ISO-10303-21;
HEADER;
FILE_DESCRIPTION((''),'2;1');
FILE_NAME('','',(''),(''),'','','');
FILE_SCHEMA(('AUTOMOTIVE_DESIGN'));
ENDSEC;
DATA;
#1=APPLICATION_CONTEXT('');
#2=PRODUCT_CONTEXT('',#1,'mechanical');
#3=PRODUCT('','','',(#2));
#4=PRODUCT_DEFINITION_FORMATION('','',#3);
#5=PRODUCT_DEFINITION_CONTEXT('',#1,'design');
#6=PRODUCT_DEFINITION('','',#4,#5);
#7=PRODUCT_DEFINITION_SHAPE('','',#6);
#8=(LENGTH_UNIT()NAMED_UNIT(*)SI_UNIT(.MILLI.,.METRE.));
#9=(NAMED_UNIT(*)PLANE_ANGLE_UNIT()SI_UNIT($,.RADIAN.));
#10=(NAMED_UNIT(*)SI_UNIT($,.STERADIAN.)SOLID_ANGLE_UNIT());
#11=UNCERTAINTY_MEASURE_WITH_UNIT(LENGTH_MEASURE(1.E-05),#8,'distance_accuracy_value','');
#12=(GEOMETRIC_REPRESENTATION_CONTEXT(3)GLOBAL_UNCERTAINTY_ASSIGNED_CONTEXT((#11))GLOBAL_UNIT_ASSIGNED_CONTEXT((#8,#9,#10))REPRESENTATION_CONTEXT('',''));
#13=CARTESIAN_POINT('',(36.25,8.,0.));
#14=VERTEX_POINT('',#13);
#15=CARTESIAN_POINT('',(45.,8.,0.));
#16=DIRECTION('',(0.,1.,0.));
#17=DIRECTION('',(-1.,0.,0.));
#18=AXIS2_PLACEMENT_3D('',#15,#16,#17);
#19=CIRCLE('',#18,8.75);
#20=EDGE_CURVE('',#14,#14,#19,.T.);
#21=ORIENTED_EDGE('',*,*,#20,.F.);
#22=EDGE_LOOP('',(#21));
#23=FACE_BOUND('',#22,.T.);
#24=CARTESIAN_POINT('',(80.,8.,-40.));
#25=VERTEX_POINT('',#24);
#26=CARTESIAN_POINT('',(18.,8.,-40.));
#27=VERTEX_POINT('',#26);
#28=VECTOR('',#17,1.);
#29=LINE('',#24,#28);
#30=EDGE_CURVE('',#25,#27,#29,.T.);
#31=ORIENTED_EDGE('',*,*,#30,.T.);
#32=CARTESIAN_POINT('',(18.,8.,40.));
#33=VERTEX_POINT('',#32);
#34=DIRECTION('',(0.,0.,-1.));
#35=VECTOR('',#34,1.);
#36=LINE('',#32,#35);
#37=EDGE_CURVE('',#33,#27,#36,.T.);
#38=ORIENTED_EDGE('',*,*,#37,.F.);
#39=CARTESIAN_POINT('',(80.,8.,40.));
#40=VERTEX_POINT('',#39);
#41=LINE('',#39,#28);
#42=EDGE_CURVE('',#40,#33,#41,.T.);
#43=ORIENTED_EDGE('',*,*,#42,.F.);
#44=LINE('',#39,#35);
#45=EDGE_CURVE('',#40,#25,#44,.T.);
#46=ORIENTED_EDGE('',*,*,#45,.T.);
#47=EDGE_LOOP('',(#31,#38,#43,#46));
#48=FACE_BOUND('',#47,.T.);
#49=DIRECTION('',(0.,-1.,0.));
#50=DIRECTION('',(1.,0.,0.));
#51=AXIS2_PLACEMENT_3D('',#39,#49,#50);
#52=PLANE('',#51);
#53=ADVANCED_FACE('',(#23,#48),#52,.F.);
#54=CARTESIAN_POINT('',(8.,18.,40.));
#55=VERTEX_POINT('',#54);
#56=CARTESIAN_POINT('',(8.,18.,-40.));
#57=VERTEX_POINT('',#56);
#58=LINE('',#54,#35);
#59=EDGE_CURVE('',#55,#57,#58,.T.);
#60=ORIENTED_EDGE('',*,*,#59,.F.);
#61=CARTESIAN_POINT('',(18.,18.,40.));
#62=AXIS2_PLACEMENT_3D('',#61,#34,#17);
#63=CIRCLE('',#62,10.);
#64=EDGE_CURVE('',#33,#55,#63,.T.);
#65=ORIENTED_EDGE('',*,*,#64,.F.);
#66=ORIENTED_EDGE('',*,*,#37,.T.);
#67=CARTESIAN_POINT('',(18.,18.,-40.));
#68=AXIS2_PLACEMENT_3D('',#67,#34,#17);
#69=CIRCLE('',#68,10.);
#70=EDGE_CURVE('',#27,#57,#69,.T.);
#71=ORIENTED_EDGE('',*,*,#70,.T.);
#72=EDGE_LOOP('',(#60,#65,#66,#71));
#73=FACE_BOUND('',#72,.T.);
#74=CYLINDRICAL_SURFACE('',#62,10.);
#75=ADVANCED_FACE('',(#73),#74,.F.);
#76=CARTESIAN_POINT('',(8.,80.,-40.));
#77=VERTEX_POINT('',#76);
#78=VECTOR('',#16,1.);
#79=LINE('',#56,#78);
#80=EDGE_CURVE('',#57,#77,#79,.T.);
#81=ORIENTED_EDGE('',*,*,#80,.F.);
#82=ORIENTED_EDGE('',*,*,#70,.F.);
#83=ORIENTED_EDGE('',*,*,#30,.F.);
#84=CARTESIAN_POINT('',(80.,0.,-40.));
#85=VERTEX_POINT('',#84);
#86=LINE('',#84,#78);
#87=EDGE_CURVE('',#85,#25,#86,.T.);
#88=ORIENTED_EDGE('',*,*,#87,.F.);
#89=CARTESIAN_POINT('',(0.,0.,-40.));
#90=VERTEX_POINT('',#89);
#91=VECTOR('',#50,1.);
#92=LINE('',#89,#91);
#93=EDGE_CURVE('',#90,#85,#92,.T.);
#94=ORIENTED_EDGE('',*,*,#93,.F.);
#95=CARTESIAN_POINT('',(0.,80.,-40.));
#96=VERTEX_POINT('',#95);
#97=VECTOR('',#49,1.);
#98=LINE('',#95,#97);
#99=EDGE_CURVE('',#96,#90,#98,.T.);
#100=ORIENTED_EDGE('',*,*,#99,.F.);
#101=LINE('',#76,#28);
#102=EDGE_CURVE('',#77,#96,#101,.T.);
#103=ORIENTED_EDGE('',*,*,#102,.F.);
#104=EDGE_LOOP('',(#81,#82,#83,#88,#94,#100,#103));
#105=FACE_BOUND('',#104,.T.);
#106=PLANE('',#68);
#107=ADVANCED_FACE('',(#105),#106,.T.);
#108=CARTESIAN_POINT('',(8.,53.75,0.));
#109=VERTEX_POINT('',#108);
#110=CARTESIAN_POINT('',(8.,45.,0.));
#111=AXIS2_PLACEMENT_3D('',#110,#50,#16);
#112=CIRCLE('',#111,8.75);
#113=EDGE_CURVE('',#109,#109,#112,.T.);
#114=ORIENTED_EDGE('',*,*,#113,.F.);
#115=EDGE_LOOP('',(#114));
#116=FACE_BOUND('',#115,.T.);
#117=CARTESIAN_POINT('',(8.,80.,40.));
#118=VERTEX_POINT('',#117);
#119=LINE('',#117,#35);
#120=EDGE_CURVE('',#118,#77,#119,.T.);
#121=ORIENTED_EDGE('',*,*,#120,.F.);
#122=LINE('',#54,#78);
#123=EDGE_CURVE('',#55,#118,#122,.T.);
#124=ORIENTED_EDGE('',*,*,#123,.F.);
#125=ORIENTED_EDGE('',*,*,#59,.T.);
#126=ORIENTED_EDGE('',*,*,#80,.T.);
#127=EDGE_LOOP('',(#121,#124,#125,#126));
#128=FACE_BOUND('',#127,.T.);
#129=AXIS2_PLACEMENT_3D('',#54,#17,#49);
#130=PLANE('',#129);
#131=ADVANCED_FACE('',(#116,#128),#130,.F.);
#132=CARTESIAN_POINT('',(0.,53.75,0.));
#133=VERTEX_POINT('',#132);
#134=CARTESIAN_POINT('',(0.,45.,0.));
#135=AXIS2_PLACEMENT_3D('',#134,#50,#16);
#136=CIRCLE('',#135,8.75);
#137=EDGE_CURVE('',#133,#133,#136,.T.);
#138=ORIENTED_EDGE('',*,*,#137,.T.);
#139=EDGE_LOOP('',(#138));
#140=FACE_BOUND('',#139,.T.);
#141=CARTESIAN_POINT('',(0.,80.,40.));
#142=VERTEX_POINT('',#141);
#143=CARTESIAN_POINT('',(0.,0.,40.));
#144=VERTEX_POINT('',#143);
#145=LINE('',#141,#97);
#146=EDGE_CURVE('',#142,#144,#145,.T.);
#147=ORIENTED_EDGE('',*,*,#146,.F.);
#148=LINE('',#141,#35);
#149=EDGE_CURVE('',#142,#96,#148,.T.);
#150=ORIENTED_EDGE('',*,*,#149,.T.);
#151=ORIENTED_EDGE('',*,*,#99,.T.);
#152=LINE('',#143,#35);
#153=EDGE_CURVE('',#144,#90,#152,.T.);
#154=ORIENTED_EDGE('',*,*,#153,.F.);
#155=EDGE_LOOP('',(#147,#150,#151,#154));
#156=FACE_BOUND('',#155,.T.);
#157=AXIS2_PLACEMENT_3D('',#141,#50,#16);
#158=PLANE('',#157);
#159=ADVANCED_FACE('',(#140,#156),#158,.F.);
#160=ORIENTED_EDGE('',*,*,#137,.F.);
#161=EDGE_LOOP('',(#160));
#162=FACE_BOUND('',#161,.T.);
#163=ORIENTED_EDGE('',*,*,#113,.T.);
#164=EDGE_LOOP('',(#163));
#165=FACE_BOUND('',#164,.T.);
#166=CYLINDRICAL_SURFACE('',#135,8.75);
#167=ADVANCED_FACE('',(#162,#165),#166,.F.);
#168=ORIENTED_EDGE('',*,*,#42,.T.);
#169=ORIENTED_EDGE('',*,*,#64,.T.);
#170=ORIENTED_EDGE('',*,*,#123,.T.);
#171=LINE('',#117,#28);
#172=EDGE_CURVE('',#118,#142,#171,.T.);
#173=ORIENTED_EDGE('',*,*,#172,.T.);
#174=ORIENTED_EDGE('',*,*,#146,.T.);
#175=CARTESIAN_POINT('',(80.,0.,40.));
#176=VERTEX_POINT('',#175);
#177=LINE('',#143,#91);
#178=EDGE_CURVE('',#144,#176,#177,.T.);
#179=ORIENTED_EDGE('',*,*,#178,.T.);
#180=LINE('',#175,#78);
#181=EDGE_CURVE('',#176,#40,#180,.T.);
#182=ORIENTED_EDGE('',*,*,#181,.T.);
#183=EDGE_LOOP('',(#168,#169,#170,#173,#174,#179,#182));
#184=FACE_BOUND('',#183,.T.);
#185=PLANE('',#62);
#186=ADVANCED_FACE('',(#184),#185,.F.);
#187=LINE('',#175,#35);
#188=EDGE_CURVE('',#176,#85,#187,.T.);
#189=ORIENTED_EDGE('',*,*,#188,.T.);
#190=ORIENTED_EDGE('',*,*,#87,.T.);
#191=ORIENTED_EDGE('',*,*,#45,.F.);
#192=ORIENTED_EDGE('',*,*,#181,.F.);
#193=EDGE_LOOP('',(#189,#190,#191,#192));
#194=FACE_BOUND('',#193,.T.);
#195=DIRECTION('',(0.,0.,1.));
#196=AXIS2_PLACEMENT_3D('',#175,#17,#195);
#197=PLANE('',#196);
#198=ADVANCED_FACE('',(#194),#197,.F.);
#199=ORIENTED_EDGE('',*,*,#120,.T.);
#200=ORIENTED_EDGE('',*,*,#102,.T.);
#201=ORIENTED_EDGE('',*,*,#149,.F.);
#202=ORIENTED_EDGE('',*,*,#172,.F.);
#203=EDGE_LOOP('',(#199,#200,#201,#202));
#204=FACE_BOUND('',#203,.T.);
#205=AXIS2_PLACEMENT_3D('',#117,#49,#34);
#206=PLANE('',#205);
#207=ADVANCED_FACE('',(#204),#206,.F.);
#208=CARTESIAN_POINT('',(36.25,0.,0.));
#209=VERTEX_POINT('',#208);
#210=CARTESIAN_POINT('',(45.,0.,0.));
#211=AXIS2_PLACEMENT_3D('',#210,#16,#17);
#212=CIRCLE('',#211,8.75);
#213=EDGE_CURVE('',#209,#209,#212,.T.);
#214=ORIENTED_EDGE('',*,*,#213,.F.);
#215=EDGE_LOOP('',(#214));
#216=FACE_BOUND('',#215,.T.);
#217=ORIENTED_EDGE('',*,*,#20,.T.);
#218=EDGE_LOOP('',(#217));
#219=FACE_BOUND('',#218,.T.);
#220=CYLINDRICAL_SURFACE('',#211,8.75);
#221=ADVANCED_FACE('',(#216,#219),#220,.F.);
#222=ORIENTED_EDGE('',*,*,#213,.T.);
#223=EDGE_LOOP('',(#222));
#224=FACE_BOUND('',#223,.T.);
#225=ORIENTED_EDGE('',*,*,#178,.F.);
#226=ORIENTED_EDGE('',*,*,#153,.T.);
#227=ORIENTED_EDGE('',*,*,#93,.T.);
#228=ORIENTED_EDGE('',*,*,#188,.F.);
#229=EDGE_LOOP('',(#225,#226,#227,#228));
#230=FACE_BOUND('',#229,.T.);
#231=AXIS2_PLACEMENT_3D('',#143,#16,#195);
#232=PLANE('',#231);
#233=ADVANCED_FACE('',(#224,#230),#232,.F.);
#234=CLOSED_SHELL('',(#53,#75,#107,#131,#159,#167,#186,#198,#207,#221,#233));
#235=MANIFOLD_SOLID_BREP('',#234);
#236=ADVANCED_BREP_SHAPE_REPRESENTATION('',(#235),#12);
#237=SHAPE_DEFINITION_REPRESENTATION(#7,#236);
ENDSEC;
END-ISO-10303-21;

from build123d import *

# Parameters (mm, degrees)
AUFSATZ_AUFTRAGEN_MAIN_BODY_DEPTH = 40
SKIZZE3_R                         = 8.75
BOHRUNG_HORIZONTAL_DEPTH          = 115.821600755
SKIZZE4_R                         = 8.75
BOHRUNG_VERTIKAL_DEPTH            = 115.821600755


with BuildPart() as part:
    # Skizze1 → Aufsatz Auftragen Main Body (new, symmetric)
    with BuildSketch(Plane.XY):
        with BuildLine():
            Line((0, 0), (80, 0))
            Line((80, 0), (80, 8))
            Line((80, 8), (18, 8))
            ThreePointArc((18, 8), (10.928932188, 10.928932188), (8, 18))
            Line((8, 18), (8, 80))
            Line((8, 80), (0, 80))
            Line((0, 80), (0, 0))
        make_face()
    extrude(amount=AUFSATZ_AUFTRAGEN_MAIN_BODY_DEPTH, both=True)

    # Skizze3 → Bohrung Horizontal (cut, through all)
    with BuildSketch(Plane(origin=(0, 8, 0), x_dir=(1, 0, 0), z_dir=(0, 1, 0))):
        with Locations(Location((45, 0, 0), (0, 0, 180))):
            Circle(SKIZZE3_R)
    extrude(amount=-BOHRUNG_HORIZONTAL_DEPTH, mode=Mode.SUBTRACT)

    # Skizze4 → Bohrung Vertikal (cut, through all)
    with BuildSketch(Plane(origin=(8, 0, 0), x_dir=(0, 0, -1), z_dir=(1, 0, 0))):
        with Locations(Location((0, 45, 0), (0, 0, 90))):
            Circle(SKIZZE4_R)
    extrude(amount=-BOHRUNG_VERTIKAL_DEPTH, mode=Mode.SUBTRACT)


solid = part.part
